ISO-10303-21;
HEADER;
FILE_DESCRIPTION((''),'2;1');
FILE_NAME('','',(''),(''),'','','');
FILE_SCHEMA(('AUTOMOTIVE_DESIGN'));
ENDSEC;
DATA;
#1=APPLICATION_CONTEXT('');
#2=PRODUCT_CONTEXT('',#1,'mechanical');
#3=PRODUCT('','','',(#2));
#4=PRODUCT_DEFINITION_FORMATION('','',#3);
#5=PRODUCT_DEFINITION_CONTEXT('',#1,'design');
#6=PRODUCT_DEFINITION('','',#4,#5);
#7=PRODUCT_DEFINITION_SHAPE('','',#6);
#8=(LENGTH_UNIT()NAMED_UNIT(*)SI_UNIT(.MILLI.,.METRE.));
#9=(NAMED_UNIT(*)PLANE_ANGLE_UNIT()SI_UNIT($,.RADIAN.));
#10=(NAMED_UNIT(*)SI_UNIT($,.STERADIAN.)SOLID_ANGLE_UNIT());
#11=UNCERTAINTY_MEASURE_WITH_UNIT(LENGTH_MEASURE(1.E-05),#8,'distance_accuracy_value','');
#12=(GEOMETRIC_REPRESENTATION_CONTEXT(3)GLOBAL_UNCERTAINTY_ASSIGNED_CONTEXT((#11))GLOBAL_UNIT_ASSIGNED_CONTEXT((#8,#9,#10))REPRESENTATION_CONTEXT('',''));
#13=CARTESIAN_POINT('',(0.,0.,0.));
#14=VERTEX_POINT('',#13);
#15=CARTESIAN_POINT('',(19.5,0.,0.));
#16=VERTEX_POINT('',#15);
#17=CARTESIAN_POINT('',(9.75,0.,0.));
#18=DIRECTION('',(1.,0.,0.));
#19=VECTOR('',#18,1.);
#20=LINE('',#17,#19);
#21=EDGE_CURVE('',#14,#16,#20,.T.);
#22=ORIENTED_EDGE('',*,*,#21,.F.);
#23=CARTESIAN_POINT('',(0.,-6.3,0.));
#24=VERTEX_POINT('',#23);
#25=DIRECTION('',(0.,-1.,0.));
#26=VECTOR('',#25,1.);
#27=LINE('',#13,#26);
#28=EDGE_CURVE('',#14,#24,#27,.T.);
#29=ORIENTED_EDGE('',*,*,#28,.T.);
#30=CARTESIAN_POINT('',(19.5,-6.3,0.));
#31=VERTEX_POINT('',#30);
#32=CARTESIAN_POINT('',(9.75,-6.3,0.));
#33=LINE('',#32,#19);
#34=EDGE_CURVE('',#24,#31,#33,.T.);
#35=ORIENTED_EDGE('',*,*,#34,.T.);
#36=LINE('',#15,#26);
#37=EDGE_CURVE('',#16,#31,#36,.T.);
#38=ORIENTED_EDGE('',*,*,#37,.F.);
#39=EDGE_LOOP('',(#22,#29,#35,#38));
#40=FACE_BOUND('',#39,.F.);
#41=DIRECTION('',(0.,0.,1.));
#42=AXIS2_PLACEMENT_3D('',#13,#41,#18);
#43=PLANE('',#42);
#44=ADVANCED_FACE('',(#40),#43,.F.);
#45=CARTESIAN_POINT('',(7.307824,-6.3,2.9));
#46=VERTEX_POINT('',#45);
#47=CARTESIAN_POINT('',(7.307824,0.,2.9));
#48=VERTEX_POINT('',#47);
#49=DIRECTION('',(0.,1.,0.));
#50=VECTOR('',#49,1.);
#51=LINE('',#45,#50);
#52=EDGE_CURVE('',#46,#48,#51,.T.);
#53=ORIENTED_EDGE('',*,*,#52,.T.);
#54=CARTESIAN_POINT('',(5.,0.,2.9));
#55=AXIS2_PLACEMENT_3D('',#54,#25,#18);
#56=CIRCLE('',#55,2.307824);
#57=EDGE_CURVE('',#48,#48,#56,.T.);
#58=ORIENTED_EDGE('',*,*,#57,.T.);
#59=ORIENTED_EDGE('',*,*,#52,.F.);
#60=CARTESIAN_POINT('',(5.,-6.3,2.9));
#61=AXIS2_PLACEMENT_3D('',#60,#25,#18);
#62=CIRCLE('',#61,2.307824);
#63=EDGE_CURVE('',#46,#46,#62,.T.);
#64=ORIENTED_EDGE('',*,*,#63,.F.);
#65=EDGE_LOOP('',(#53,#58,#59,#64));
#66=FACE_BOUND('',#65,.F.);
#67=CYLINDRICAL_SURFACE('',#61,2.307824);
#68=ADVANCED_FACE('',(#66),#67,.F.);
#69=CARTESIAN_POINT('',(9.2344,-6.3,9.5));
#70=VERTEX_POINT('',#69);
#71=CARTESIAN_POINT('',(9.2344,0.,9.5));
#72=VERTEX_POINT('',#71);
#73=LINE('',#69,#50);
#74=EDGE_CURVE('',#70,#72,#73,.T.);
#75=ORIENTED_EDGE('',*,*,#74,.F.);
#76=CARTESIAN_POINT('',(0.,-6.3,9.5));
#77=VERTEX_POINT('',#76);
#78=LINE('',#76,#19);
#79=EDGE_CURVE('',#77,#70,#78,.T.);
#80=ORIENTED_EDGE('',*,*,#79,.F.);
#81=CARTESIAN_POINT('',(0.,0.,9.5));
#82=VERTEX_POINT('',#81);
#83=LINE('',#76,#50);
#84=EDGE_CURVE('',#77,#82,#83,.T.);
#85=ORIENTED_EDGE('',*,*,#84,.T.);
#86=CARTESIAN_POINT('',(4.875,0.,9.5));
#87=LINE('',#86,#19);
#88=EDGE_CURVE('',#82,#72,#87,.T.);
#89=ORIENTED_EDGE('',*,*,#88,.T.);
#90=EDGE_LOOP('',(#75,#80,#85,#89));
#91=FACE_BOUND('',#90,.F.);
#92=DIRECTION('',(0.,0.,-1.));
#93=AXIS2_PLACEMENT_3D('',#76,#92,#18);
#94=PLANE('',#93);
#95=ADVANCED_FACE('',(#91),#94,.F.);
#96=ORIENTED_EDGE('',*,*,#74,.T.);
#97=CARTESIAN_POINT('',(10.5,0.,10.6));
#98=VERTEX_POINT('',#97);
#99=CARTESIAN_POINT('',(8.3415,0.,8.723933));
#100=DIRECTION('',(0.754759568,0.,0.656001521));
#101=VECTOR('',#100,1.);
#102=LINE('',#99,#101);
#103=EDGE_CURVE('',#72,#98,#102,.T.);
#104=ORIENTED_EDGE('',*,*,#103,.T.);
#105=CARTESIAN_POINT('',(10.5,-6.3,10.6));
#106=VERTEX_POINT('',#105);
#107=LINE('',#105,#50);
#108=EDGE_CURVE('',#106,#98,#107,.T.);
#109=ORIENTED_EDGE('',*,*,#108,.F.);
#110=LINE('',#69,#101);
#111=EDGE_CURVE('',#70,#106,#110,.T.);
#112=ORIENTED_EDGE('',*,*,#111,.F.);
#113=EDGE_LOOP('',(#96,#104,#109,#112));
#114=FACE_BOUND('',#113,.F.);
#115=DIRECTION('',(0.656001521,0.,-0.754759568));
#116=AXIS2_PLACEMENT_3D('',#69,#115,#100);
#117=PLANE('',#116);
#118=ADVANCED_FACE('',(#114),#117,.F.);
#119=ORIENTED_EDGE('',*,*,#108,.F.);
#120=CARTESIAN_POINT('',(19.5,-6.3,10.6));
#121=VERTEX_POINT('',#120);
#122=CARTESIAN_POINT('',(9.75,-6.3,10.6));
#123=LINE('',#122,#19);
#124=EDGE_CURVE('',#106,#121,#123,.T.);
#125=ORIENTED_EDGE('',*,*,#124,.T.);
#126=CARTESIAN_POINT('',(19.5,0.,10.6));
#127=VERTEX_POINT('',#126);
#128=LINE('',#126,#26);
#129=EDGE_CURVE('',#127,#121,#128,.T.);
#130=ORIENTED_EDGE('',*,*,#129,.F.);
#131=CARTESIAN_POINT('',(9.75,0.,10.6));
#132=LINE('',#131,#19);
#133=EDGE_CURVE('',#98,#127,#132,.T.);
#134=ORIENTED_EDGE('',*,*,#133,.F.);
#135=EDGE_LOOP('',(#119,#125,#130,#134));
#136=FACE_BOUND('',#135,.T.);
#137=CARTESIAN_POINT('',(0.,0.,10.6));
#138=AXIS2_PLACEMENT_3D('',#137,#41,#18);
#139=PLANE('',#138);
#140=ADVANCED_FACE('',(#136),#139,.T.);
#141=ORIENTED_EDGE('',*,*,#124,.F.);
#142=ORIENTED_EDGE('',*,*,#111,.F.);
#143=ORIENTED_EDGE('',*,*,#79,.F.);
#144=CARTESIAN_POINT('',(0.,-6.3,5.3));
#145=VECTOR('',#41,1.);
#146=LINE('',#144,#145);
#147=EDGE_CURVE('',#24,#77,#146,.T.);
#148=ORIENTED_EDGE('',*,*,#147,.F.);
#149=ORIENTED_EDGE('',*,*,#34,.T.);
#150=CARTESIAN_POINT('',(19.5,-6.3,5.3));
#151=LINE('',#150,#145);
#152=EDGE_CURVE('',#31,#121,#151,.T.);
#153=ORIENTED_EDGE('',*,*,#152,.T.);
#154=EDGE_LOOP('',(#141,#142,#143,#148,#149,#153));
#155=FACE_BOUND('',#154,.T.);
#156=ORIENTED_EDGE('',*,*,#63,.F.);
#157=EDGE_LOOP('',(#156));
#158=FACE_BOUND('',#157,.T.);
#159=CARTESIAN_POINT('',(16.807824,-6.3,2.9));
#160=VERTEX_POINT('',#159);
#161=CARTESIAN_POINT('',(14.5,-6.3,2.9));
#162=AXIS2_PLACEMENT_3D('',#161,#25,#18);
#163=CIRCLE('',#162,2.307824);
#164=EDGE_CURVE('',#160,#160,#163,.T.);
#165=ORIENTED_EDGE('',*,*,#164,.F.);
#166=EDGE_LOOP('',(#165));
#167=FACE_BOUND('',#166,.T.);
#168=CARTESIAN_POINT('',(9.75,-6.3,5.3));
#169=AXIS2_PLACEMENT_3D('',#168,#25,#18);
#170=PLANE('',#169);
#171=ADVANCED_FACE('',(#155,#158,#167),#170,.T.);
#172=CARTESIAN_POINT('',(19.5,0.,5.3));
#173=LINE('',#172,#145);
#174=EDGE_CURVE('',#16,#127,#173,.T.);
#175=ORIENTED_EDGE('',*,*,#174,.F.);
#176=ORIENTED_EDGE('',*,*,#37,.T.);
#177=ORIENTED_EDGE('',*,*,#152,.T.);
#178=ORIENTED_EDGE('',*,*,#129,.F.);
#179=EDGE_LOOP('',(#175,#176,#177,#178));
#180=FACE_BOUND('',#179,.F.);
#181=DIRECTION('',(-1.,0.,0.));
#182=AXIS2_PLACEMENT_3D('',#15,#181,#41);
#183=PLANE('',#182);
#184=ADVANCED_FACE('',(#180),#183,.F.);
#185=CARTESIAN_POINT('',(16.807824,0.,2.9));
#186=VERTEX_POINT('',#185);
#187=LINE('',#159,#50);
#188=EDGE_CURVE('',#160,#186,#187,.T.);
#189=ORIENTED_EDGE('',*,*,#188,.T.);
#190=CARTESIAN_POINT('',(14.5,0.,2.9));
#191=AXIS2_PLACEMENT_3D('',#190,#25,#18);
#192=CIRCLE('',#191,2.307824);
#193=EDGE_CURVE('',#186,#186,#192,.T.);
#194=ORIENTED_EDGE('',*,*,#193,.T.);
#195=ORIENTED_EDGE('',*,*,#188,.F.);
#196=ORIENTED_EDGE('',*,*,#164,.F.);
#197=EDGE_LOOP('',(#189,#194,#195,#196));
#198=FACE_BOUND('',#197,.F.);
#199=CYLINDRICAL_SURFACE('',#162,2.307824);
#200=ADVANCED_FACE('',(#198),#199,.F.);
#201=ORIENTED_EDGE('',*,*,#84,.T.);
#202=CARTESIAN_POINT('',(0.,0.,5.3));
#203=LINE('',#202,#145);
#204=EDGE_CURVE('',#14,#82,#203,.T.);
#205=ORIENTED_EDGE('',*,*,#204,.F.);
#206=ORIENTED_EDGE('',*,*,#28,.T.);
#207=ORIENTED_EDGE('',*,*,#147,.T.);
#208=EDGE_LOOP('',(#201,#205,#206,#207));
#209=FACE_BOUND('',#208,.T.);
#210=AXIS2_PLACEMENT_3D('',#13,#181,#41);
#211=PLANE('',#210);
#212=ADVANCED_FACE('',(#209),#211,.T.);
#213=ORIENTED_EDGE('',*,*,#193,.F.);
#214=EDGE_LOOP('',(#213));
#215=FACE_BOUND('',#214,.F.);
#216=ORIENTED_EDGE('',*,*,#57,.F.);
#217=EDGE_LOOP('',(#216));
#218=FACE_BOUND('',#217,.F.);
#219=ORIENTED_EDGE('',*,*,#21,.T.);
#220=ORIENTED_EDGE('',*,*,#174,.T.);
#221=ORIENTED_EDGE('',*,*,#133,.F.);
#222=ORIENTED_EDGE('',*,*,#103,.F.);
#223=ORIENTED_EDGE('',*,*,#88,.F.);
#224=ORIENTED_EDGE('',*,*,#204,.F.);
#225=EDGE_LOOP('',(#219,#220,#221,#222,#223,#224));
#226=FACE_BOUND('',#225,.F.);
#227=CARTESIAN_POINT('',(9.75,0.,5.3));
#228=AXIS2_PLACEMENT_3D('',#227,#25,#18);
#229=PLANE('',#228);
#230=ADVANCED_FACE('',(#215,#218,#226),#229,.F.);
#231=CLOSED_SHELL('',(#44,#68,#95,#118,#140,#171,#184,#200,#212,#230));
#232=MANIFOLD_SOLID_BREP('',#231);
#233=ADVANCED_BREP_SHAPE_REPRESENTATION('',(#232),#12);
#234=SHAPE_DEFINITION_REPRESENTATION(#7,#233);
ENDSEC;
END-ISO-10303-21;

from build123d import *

# Parameters (mm, degrees)
F0_W     = 19.5
F0_H     = 10.6
F1_DEPTH = 6.3
F2_R     = 2.307824
F3_DEPTH = 25
F5_DEPTH = 25


with BuildPart() as f1:
    # F0 (on Front) → F1 (new body)
    with BuildSketch(Plane.XZ):
        with Locations((9.75, 5.3)):
            Rectangle(F0_W, F0_H)
    extrude(amount=F1_DEPTH)

    # F2 (on face) → F3 (cut)
    with BuildSketch(Plane.XZ.offset(6.3)):
        with Locations((5, 2.9)):
            Circle(F2_R)
        with Locations((14.5, 2.9)):
            Circle(F2_R)
    extrude(amount=-F3_DEPTH, mode=Mode.SUBTRACT)

    # F4 (on face) → F5 (cut)
    with BuildSketch(Plane.XZ.offset(6.3)):
        Polygon((10.5, 10.6), (0, 10.6), (0, 9.5), (9.2344, 9.5), align=None)
    extrude(amount=-F5_DEPTH, mode=Mode.SUBTRACT)


solid = f1.part
